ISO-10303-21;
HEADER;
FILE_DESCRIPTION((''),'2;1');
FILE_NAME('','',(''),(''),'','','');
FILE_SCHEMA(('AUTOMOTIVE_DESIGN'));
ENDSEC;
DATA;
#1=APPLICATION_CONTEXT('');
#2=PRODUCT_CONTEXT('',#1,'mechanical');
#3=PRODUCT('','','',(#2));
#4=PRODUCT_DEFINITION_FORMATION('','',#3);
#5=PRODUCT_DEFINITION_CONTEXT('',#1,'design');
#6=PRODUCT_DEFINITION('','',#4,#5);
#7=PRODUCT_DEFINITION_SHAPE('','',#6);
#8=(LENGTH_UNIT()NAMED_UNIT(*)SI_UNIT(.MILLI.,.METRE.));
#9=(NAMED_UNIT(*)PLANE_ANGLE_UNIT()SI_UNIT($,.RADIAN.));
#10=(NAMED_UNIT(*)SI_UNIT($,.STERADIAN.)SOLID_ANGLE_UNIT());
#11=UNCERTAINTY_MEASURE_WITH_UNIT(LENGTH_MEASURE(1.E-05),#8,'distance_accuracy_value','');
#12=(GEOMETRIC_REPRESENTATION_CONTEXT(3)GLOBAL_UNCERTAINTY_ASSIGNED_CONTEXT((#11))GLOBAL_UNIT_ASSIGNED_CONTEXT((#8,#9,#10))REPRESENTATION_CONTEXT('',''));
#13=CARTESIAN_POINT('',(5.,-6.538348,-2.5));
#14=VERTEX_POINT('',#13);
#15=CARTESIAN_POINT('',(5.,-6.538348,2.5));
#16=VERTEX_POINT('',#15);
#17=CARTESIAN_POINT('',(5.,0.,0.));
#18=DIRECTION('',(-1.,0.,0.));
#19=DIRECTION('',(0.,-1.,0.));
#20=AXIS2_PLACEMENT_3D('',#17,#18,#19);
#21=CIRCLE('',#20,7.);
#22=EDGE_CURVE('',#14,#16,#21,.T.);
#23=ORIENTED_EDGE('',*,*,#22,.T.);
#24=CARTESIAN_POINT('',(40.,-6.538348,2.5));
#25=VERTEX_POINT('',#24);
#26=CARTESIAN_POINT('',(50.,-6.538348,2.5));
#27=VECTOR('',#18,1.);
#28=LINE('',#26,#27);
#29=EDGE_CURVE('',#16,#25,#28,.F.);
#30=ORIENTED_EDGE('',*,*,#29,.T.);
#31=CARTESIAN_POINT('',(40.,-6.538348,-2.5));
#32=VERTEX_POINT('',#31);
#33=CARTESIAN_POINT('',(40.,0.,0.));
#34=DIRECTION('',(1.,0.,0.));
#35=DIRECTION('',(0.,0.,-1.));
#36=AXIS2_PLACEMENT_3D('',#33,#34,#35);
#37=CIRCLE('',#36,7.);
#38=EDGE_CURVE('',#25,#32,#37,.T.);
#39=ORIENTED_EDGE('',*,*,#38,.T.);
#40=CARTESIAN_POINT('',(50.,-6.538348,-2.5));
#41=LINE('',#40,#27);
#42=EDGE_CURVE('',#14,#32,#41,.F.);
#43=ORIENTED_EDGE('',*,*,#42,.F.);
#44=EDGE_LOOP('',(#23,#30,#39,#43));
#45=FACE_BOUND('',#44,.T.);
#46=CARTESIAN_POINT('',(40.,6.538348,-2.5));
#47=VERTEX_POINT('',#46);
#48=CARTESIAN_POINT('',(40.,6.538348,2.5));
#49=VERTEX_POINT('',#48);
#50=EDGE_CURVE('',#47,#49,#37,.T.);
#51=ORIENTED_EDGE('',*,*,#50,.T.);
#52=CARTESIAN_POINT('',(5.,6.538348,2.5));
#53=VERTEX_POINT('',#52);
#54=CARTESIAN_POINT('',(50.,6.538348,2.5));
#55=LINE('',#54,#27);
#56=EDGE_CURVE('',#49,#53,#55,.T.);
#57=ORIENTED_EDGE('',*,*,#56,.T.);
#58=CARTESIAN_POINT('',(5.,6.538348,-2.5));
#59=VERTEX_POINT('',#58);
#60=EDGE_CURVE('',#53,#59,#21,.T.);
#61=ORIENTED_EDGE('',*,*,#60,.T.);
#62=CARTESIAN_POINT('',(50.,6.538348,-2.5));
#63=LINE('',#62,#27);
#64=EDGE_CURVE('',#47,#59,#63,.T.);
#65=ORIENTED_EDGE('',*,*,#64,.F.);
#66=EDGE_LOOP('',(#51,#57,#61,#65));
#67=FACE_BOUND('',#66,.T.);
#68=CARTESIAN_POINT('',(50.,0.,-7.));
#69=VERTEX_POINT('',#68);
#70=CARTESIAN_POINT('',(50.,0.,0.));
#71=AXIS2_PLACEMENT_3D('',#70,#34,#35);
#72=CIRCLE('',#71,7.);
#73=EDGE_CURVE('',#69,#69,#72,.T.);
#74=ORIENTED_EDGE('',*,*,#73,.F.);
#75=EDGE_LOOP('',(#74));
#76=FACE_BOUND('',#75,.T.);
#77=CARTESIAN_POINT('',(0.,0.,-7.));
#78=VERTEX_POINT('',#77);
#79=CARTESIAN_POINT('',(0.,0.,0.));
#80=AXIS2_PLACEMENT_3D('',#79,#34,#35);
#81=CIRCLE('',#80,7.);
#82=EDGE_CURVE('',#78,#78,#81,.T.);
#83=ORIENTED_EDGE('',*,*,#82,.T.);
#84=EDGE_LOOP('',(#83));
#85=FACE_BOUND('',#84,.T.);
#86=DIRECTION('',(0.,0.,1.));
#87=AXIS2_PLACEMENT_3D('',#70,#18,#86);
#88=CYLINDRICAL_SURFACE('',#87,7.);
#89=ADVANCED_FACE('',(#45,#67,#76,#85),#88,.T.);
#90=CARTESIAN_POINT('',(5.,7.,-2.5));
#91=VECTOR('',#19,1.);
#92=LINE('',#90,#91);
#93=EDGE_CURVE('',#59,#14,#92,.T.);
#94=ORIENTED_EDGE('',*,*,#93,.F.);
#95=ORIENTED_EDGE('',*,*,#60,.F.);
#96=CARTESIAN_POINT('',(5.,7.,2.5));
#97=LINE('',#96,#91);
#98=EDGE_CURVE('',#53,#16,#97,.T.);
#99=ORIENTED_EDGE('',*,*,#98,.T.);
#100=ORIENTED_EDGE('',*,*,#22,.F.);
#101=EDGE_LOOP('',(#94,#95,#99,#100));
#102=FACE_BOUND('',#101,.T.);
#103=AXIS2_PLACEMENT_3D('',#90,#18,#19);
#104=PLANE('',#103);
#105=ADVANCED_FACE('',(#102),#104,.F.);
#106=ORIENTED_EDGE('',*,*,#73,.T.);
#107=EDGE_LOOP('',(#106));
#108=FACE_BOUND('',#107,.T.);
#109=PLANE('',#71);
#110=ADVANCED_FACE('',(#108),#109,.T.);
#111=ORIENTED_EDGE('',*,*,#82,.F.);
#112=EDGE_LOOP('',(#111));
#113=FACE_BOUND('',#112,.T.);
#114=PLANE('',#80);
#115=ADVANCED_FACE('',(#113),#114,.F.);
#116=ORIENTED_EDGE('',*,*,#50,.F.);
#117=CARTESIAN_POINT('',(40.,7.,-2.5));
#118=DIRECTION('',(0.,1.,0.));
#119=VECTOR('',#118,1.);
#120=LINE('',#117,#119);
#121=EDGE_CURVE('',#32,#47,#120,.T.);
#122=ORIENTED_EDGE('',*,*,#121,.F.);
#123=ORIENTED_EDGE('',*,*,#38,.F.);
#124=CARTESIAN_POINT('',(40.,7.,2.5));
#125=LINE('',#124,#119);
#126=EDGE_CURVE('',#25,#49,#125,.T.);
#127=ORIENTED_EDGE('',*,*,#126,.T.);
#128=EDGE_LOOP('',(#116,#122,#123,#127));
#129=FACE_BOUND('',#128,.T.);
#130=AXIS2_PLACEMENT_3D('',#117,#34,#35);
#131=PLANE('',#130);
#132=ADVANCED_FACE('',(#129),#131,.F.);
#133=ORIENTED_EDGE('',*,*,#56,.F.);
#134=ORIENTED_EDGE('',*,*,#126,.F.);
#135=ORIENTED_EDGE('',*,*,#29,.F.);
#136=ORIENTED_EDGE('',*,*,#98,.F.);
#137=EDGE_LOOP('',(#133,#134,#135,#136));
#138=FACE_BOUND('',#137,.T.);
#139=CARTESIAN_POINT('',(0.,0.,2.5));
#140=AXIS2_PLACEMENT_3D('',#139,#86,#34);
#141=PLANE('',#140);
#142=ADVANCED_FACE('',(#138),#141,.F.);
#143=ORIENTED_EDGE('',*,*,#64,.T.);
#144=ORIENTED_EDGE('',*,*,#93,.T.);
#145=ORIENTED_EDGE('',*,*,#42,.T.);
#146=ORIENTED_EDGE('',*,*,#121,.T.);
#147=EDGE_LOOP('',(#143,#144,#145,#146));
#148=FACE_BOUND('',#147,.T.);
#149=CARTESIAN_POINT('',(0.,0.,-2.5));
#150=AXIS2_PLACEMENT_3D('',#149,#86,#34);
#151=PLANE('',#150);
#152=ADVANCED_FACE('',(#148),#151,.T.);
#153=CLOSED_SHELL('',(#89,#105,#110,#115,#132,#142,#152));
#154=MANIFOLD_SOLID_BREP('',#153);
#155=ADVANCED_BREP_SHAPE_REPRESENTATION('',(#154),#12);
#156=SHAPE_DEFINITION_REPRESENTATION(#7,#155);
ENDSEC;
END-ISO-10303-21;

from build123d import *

# Parameters (mm, degrees)
SKETCH1_R           = 7
BOSS_EXTRUDE1_DEPTH = 50
SKETCH2_W           = 35
SKETCH2_H           = 14
CUT_EXTRUDE1_DEPTH  = 2.5


with BuildPart() as part:
    # Sketch1 → Boss-Extrude1 (new body)
    with BuildSketch(Plane(origin=(0, 0, 0), x_dir=(0, 0, -1), z_dir=(1, 0, 0))):
        Circle(SKETCH1_R)
    extrude(amount=BOSS_EXTRUDE1_DEPTH)

    # Sketch2 → Cut-Extrude1 (cut, symmetric)
    with BuildSketch(Plane.XY):
        with Locations((22.5, 0)):
            Rectangle(SKETCH2_W, SKETCH2_H)
    extrude(amount=CUT_EXTRUDE1_DEPTH, both=True, mode=Mode.SUBTRACT)


solid = part.part
